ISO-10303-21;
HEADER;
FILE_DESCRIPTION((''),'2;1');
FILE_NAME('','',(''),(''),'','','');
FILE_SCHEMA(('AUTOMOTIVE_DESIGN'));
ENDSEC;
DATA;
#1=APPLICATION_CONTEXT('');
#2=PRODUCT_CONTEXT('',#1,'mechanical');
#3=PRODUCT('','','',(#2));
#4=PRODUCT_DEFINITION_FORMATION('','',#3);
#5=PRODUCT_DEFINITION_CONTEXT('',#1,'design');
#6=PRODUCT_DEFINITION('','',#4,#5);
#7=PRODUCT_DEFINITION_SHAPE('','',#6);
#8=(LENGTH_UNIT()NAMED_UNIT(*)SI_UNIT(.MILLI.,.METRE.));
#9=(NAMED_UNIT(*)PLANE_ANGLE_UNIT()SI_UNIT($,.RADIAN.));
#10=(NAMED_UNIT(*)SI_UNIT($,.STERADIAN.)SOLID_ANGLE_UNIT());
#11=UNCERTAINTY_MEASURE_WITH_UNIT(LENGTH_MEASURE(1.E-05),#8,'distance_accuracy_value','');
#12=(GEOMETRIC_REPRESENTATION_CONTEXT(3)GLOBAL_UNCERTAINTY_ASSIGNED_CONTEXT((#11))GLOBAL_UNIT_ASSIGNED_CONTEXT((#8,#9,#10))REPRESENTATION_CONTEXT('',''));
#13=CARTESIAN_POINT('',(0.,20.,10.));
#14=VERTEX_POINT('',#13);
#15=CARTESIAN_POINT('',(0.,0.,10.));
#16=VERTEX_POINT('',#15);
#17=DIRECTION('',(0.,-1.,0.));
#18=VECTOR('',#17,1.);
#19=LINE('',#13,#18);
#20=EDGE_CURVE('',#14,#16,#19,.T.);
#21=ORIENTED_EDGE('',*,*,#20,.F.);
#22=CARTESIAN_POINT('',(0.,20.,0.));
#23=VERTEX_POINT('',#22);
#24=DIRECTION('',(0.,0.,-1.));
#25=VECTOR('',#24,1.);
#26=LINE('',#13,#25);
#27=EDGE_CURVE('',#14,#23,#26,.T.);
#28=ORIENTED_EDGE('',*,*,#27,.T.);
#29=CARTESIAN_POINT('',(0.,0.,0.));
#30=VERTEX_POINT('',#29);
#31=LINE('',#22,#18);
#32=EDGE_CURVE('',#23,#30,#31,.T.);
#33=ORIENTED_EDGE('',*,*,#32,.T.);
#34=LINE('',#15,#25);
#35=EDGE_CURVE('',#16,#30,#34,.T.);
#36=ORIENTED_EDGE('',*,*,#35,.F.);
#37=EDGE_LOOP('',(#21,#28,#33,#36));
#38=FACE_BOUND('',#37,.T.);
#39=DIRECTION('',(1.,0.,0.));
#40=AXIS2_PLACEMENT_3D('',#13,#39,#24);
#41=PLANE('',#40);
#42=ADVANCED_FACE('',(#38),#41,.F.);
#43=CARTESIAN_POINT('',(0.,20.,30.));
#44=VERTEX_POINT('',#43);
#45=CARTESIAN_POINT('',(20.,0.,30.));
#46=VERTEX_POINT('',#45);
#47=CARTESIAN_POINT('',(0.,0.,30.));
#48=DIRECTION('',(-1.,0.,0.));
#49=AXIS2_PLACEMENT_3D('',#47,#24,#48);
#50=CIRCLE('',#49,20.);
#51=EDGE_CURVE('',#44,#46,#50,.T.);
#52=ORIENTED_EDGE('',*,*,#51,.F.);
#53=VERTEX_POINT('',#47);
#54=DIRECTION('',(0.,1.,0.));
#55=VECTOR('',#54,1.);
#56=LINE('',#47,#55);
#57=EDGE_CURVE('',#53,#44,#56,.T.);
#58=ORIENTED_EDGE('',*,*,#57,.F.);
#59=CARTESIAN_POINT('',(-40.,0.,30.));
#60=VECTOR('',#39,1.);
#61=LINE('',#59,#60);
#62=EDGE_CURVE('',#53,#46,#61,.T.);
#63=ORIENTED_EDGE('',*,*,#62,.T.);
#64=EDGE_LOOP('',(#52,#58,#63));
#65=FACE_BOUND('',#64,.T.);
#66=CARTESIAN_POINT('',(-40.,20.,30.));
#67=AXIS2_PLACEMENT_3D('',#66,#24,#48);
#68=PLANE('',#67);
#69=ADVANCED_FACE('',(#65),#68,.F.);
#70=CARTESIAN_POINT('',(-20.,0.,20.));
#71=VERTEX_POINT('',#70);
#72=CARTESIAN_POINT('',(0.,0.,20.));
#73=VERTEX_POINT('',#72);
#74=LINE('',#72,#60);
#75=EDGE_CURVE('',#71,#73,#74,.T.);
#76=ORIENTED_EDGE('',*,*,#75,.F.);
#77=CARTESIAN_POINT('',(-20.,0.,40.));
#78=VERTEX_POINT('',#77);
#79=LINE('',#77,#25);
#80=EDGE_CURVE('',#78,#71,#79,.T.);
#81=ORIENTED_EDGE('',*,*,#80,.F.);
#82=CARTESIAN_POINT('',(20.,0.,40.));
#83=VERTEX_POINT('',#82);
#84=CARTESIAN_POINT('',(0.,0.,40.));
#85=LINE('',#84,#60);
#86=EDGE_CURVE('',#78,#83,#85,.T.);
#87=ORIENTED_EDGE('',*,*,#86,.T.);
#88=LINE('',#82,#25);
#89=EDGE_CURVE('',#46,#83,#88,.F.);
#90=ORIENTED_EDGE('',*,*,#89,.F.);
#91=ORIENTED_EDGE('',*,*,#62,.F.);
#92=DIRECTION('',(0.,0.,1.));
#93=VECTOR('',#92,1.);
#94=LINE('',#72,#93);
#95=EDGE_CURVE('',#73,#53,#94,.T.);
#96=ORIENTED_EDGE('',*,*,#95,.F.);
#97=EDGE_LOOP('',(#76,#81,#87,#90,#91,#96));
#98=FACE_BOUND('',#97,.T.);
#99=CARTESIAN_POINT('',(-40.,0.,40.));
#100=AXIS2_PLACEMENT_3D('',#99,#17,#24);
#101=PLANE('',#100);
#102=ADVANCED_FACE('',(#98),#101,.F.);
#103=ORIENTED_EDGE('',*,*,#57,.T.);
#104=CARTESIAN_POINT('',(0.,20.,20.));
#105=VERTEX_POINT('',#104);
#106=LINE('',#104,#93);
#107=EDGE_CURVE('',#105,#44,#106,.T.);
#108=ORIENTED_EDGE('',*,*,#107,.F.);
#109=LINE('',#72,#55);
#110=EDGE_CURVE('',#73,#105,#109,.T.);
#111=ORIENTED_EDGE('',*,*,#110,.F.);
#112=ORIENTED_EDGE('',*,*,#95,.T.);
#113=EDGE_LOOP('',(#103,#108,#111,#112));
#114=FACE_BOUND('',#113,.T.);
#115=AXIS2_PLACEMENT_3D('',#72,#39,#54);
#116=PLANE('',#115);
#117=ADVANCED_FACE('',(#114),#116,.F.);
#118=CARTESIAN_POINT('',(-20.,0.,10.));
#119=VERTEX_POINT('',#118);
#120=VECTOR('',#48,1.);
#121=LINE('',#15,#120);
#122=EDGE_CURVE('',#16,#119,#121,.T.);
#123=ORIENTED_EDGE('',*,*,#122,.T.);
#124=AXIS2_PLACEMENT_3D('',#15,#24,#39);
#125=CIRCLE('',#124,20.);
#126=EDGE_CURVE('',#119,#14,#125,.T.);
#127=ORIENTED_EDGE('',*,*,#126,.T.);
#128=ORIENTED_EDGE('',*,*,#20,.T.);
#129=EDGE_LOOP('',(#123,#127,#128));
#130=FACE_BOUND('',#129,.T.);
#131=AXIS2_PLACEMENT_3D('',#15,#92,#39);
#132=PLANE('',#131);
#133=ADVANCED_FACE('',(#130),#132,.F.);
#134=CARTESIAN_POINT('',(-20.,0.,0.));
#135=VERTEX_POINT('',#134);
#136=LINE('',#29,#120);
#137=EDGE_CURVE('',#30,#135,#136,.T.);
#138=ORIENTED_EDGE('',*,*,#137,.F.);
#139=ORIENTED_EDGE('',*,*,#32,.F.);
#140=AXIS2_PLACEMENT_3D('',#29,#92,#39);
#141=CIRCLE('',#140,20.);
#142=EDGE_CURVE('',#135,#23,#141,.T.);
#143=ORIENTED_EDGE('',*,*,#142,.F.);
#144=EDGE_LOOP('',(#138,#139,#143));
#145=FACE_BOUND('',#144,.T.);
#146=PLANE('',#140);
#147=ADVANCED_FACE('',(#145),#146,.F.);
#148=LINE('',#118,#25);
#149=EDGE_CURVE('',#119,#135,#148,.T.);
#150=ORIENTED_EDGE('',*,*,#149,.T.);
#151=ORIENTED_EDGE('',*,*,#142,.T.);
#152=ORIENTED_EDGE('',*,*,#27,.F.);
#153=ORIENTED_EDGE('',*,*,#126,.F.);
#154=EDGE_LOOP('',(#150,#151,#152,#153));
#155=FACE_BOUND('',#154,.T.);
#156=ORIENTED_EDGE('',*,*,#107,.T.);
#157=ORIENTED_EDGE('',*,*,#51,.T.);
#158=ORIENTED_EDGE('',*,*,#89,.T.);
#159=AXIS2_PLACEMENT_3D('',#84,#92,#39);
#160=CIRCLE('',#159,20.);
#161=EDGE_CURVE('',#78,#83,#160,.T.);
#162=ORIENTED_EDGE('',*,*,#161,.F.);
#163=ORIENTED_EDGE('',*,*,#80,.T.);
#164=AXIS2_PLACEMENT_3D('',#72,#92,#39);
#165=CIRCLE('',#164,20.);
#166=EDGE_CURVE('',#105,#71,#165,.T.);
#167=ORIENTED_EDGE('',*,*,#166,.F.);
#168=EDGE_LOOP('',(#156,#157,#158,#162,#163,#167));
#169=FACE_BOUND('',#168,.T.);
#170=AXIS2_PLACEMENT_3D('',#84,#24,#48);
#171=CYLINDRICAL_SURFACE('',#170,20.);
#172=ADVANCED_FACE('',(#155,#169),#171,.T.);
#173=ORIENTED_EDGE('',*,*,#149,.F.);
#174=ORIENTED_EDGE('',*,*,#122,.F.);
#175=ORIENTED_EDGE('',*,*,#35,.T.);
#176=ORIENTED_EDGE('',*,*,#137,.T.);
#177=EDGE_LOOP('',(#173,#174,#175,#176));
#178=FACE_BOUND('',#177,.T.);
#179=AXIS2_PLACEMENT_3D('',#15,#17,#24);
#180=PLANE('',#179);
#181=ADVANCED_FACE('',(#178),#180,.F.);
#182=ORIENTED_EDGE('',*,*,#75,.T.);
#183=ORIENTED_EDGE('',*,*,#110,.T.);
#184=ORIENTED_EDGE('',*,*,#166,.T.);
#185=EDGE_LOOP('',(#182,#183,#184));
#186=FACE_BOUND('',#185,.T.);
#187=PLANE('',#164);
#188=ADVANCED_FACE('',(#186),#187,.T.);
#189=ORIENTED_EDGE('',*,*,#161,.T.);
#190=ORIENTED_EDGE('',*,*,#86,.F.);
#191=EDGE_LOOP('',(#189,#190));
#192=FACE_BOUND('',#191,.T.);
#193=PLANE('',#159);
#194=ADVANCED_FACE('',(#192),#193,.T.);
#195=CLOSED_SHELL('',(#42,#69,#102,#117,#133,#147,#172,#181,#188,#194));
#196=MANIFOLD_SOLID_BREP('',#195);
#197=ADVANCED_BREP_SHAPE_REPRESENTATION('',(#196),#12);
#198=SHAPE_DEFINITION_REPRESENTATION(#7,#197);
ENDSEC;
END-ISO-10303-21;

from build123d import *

# Parameters (mm, degrees)
SKETCH2_R               = 20
BOSS_EXTRUDE1_DEPTH     = 40
CUT_EXTRUDE1_DEPTH      = 40
CUT_EXTRUDE1_DEPTH_BACK = 40
SKETCH3_W               = 10
SKETCH3_H               = 20
CUT_EXTRUDE2_START      = -10
CUT_EXTRUDE2_DEPTH      = 10
CUT_EXTRUDE3_DEPTH      = 10


with BuildPart() as part:
    # Sketch2 → Boss-Extrude1 (new body)
    with BuildSketch(Plane.XY):
        Circle(SKETCH2_R)
    extrude(amount=BOSS_EXTRUDE1_DEPTH)

    # Sketch3 → Cut-Extrude1 (cut, two sides: drawn at the far end of the back side and taken through both)
    with BuildSketch(Plane(origin=(0, 0, 0), x_dir=(0, 0, -1), z_dir=(1, 0, 0)).offset(-CUT_EXTRUDE1_DEPTH_BACK)):
        with Locations((-35, 10)):
            Rectangle(SKETCH3_W, SKETCH3_H)
    extrude(amount=CUT_EXTRUDE1_DEPTH + CUT_EXTRUDE1_DEPTH_BACK, mode=Mode.SUBTRACT)

    # Sketch4 → Cut-Extrude2 (cut)
    with BuildSketch(Plane.XY.offset(30).offset(CUT_EXTRUDE2_START)):
        with BuildLine():
            Line((-20, 0), (0, 0))
            Line((0, 0), (0, 20))
            ThreePointArc((0, 20), (-14.142135624, 14.142135624), (-20, 0))
        make_face()
    extrude(amount=CUT_EXTRUDE2_DEPTH, mode=Mode.SUBTRACT)

    # Sketch5 → Cut-Extrude3 (cut)
    with BuildSketch(Plane(origin=(0, 0, 0), x_dir=(-1, 0, 0), z_dir=(0, 0, -1))):
        with BuildLine():
            Line((0, 20), (0, 0))
            Line((0, 0), (20, 0))
            ThreePointArc((20, 0), (14.142135624, 14.142135624), (0, 20))
        make_face()
    extrude(amount=-CUT_EXTRUDE3_DEPTH, mode=Mode.SUBTRACT)


solid = part.part
